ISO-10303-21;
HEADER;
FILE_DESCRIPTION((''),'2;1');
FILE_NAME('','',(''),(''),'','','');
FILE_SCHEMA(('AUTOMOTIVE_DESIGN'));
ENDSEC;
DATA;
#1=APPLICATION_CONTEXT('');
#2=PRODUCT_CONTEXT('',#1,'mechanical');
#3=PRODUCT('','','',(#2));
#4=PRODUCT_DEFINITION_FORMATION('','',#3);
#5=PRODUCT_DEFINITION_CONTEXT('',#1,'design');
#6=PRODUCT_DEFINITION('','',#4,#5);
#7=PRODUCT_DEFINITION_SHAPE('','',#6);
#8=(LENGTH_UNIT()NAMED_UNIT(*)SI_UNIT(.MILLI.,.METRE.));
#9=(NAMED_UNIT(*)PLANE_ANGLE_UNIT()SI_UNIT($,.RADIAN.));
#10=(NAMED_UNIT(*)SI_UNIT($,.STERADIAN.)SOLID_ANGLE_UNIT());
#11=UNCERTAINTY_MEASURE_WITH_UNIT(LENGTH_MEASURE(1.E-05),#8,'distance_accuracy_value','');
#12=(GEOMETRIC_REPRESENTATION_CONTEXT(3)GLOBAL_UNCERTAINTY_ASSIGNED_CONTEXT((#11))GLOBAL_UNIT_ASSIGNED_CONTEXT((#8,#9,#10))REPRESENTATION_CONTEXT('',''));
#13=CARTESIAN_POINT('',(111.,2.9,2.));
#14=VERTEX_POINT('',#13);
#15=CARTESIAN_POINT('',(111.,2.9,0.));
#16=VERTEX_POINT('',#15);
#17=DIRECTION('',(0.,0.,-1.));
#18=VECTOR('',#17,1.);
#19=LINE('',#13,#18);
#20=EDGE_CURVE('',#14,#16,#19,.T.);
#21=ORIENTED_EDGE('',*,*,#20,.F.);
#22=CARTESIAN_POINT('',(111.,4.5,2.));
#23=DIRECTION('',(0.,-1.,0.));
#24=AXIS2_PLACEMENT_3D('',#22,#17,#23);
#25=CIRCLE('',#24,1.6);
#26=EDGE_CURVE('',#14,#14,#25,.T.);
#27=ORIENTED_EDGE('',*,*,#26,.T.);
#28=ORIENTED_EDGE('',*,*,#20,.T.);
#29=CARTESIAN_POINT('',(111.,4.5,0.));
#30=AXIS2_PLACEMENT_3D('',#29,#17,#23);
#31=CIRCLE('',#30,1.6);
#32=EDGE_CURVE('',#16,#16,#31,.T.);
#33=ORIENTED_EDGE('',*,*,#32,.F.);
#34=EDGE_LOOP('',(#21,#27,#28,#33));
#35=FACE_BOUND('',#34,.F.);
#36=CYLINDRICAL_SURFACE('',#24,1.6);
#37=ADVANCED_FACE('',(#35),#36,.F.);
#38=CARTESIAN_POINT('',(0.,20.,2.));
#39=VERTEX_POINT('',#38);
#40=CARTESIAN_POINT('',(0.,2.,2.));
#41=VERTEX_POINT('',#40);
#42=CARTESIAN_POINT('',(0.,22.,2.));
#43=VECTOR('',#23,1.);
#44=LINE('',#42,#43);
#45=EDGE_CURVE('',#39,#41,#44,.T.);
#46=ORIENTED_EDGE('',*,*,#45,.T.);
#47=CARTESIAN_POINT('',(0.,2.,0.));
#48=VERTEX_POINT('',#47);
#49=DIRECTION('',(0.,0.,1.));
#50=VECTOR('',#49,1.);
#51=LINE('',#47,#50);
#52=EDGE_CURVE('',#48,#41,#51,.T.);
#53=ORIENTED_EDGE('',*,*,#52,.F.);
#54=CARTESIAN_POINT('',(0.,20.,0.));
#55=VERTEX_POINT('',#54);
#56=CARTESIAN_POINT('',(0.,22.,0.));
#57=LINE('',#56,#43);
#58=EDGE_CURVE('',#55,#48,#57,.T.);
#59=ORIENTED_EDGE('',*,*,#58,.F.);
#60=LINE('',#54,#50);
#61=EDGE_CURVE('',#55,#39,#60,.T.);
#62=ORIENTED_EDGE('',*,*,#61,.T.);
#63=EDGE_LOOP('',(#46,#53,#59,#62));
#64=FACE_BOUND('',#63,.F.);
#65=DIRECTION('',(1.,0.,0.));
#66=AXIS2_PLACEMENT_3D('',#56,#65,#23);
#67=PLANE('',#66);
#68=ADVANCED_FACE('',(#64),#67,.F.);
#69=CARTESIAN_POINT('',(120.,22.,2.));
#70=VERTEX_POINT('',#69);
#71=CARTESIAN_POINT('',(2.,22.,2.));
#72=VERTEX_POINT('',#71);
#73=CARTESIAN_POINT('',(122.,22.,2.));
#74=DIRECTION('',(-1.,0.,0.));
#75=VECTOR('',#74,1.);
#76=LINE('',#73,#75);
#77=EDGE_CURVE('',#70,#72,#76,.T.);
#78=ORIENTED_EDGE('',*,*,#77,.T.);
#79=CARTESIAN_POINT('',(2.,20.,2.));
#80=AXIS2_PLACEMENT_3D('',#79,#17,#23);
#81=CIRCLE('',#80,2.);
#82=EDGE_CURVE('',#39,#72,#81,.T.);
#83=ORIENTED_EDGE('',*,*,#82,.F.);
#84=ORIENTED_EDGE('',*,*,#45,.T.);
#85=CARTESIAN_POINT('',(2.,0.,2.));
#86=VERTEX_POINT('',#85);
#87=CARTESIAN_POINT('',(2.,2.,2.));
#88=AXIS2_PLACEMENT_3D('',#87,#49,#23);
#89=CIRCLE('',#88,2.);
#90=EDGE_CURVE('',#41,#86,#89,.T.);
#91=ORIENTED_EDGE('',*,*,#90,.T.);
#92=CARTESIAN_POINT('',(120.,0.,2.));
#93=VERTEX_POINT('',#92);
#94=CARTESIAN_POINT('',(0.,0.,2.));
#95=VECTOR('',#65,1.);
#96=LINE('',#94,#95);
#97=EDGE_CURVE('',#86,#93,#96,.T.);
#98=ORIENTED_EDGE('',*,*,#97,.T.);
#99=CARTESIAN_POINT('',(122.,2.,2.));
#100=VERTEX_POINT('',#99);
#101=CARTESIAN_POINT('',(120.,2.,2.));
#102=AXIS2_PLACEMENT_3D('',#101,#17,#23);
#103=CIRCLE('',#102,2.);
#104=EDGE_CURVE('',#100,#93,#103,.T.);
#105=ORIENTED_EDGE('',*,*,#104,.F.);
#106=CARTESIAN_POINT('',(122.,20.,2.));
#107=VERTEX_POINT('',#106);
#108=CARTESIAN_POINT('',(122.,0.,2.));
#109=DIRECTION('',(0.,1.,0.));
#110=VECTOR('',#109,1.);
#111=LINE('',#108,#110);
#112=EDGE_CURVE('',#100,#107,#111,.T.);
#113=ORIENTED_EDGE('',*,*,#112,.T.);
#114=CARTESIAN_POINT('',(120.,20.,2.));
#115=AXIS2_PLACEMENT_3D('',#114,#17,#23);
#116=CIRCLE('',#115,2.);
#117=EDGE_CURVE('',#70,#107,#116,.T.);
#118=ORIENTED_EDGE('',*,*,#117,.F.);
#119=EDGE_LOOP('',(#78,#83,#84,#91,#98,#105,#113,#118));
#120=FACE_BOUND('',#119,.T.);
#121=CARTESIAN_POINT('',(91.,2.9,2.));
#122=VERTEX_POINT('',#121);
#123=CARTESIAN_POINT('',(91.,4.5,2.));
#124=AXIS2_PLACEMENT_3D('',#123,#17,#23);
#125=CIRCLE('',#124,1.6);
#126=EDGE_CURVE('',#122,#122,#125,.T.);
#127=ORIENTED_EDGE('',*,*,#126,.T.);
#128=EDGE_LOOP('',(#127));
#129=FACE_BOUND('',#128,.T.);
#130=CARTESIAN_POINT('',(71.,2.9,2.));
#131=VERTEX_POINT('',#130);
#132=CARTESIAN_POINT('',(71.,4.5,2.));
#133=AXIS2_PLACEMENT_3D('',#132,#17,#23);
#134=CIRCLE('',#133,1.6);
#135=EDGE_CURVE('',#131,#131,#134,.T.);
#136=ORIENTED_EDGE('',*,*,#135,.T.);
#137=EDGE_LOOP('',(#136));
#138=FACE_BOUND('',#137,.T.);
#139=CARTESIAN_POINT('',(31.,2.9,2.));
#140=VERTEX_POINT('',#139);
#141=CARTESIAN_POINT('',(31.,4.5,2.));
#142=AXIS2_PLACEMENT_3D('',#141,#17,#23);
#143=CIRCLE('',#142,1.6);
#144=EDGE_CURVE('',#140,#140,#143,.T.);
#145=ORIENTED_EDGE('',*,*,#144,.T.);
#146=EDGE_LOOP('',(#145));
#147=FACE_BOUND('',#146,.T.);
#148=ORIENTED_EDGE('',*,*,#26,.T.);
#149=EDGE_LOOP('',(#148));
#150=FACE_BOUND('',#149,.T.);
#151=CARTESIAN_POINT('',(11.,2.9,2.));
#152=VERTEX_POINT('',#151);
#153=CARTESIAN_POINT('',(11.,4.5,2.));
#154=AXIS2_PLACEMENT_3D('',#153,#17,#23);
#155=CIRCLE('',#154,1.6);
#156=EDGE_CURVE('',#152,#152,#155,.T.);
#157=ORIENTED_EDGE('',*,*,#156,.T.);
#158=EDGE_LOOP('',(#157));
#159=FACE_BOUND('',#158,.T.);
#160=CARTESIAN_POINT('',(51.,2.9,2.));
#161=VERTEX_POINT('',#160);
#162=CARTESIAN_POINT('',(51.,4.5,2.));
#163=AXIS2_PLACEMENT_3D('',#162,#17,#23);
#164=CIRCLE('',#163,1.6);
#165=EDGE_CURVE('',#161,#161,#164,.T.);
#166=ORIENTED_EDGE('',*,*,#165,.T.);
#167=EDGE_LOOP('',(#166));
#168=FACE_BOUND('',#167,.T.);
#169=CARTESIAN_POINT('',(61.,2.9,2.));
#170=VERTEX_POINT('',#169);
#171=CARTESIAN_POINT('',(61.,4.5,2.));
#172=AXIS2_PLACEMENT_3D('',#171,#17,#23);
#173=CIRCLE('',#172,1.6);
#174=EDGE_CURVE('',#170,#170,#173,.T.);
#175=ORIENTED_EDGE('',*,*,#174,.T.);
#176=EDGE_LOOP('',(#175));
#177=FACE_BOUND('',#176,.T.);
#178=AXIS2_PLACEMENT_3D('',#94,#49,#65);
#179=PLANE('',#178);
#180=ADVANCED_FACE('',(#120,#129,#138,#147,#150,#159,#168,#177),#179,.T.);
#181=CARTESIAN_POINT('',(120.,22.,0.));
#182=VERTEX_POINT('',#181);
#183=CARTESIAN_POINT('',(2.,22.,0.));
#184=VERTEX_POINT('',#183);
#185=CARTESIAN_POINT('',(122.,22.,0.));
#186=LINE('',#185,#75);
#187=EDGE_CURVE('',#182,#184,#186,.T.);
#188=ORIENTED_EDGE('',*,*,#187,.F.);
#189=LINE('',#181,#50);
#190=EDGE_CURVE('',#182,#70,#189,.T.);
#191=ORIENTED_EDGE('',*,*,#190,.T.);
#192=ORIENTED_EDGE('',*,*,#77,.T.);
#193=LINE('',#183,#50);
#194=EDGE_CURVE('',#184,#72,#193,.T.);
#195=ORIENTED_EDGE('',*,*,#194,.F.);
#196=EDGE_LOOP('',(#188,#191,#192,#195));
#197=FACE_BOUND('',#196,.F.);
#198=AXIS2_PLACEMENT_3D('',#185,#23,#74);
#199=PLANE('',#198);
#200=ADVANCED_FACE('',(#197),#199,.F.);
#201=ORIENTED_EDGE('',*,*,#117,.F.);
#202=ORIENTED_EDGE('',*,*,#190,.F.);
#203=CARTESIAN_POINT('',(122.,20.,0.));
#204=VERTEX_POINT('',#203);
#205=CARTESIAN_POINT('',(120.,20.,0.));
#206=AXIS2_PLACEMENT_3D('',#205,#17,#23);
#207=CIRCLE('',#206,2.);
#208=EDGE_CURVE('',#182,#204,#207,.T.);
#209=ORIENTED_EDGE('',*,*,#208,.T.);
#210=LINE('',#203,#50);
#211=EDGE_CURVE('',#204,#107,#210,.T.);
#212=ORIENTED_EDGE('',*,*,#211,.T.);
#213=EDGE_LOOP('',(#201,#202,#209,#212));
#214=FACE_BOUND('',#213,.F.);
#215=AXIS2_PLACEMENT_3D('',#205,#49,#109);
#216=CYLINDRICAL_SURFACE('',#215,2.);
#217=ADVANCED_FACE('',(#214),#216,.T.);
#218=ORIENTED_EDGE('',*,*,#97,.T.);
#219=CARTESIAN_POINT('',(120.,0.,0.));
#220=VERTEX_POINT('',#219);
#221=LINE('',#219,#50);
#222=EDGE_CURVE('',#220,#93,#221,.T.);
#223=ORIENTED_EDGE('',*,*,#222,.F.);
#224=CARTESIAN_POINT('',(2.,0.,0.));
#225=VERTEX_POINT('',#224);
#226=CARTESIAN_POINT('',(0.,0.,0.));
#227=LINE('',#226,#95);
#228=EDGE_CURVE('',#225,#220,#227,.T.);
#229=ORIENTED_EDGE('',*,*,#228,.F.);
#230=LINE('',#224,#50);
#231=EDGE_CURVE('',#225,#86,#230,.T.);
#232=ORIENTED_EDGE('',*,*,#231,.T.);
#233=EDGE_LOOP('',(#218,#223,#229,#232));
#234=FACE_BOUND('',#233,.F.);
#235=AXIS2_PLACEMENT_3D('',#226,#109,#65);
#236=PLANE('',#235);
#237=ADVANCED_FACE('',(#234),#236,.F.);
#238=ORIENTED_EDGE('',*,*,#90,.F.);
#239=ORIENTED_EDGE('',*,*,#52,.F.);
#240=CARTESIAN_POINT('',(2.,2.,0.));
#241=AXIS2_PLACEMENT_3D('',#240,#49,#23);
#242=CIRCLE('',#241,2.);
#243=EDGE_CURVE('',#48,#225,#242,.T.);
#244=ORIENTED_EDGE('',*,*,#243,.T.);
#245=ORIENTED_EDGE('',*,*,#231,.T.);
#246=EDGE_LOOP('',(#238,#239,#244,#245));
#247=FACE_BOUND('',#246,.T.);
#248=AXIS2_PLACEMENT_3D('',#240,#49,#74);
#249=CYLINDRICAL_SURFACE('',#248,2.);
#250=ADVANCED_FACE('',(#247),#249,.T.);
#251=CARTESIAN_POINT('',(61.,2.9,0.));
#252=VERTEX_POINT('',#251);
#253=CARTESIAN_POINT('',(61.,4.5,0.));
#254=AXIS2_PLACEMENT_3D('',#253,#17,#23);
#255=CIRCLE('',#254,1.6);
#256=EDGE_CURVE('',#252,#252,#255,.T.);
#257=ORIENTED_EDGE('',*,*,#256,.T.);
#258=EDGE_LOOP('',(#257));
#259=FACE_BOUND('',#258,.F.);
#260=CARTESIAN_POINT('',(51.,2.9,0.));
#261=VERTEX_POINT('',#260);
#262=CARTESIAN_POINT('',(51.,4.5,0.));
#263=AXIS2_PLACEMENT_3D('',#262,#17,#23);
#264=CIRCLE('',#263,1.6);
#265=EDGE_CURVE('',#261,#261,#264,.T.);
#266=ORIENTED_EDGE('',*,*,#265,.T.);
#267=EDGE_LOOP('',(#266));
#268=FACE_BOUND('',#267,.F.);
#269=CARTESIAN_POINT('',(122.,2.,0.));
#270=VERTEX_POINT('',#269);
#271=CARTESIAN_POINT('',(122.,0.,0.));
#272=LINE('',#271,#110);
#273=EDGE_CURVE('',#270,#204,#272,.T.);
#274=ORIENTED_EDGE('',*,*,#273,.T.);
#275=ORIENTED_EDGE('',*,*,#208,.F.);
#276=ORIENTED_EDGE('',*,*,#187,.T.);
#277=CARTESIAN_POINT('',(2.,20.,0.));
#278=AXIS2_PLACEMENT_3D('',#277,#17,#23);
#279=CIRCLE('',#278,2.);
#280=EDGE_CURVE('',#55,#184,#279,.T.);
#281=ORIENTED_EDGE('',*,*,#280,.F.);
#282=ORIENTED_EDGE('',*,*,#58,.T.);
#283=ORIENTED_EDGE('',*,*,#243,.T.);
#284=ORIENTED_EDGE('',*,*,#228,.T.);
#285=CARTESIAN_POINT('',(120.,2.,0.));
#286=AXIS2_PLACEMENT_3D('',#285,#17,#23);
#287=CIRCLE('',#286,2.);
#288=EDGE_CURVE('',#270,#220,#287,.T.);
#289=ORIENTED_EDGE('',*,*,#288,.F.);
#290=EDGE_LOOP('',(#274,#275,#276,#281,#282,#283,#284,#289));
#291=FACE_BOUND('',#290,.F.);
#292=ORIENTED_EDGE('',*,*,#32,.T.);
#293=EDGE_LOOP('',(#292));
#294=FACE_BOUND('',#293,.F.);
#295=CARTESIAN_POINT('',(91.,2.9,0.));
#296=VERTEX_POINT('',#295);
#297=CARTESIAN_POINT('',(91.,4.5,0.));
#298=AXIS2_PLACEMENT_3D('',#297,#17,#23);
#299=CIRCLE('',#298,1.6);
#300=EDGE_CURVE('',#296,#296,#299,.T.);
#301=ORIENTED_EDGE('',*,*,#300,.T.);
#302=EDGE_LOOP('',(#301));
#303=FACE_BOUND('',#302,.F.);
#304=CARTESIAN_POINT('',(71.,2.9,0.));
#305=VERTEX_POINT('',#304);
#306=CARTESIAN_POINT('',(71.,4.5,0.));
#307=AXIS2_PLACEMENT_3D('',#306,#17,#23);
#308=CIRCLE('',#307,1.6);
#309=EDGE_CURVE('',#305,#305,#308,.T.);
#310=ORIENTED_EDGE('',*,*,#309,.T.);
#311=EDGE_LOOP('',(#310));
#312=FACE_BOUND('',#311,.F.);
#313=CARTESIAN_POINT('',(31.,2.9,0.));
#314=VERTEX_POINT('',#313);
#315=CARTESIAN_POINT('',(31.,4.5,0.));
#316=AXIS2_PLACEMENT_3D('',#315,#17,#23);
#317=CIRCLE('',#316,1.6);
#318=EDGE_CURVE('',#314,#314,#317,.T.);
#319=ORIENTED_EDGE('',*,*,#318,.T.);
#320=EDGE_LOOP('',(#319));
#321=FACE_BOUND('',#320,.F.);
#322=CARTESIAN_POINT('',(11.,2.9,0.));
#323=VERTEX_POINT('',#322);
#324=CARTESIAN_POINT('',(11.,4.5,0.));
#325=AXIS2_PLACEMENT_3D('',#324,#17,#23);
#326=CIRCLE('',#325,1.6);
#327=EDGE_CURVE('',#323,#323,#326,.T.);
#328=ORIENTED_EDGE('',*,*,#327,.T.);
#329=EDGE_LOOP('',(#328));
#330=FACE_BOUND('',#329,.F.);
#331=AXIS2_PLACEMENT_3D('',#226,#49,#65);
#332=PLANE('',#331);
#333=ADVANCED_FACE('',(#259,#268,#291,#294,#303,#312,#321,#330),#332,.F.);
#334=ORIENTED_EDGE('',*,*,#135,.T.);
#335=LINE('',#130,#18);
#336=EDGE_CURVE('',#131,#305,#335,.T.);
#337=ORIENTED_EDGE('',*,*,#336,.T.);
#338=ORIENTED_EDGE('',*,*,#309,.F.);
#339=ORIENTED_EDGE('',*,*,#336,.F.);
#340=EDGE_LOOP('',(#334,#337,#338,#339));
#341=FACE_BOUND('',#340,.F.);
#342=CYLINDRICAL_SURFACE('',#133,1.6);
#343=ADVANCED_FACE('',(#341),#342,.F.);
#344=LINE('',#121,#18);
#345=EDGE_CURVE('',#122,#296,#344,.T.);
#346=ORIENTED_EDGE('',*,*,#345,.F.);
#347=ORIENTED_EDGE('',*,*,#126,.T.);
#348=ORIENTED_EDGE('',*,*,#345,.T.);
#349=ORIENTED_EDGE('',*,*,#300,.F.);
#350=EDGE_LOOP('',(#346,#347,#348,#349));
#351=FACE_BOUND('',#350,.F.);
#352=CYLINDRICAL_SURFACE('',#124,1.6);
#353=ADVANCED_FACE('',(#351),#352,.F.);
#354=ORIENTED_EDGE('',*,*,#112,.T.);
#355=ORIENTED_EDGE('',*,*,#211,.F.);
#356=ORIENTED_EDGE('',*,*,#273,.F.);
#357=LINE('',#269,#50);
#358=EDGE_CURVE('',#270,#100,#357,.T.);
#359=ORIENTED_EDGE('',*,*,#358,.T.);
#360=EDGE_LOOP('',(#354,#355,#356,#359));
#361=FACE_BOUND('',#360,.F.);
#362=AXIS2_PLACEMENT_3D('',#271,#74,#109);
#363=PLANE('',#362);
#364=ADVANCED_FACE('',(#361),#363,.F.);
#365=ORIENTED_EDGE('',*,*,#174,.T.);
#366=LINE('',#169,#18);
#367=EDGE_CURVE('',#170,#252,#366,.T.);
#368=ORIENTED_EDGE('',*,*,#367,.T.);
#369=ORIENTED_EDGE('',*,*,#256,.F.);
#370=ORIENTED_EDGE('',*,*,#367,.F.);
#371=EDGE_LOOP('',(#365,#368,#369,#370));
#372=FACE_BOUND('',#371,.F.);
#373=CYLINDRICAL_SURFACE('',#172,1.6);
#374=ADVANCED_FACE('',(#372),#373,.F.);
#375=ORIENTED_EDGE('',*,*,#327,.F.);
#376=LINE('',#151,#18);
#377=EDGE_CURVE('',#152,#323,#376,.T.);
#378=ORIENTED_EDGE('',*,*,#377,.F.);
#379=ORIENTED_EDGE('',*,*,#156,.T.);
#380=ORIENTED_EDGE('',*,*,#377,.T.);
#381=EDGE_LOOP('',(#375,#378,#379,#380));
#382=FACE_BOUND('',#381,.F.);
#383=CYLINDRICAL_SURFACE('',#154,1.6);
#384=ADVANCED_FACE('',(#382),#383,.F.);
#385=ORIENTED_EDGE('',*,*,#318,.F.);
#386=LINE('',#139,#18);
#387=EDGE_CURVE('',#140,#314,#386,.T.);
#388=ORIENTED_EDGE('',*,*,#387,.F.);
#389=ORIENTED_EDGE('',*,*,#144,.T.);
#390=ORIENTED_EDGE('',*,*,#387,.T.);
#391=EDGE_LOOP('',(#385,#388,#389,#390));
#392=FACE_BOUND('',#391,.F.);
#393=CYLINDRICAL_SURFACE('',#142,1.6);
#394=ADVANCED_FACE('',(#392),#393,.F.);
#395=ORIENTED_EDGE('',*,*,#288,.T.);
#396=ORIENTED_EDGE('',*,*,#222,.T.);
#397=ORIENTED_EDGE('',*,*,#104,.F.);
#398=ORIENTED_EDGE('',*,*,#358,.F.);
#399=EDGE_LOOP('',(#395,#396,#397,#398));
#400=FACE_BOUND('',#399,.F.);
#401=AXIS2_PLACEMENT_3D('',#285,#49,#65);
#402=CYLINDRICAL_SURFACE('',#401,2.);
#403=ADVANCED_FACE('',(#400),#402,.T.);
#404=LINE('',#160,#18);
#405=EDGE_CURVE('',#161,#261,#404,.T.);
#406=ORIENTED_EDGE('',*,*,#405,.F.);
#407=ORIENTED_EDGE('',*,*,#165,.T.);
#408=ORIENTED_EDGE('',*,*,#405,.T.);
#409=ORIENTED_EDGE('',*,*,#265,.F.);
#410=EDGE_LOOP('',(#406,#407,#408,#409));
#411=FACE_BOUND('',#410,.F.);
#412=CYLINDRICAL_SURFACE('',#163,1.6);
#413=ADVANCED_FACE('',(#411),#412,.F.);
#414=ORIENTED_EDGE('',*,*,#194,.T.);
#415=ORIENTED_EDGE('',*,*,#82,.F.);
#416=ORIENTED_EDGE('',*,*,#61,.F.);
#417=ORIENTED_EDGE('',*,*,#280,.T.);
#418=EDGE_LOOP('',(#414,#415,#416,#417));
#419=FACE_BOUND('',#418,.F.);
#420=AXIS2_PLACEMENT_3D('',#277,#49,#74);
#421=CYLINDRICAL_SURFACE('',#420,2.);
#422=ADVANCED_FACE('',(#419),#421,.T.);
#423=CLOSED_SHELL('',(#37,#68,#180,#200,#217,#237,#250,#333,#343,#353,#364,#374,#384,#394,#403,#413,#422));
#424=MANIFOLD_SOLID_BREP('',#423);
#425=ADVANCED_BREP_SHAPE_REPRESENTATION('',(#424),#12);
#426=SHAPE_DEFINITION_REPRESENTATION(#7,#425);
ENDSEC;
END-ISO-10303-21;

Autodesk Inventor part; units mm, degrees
ref_plane "YZ Plane" through (0, 0, 0) normal (1, 0, 0) x (0, 1, 0)
ref_plane "XZ Plane" through (0, 0, 0) normal (0, 1, 0) x (-1, 0, 0)
ref_plane "XY Plane" through (0, 0, 0) normal (0, 0, 1) x (1, 0, 0)
sketch "スケッチ1" plane through (0, 0, 0) normal (0, 0, 1) x (1, 0, 0)
  line L0 (0, 0) -> (122, 0)
  line L1 (122, 0) -> (122, 22)
  line L2 (122, 22) -> (0, 22)
  line L3 (0, 22) -> (0, 0)
  dimension "d0" = 122
  dimension "d1" = 22
extrude "押し出し1" add sketch "スケッチ1" along normal blind 2
fillet "フィレット1" radius 2 4 edges at (122, 22, 1) (122, 0, 1) (0, 22, 1) (0, 0, 1)
sketch "スケッチ2" plane through (0, 0, 2) normal (0, 0, 1) x (1, 0, 0)
  line L0 (0, 4.5) -> (122, 4.5)
  line L1 (122, 2) -> (122, 20) projected
  line L2 (2, 0) -> (120, 0) projected
  line L3 (0, 20) -> (0, 2) projected
  point P0 (0, 0)
  point P1 (11, 4.5)
  point P2 (31, 4.5)
  point P3 (51, 4.5)
  point P4 (61, 4.5)
  point P5 (71, 4.5)
  point P6 (91, 4.5)
  point P7 (111, 4.5)
  dimension "d5" = 4.5
  dimension "d6" = 11
  dimension "d7" = 11
  dimension "d8" = 20
  dimension "d9" = 20
  dimension "d10" = 10
  dimension "d11" = 10
  dimension "d12" = 20
hole "穴1" at (11, 4.5, 2) at (31, 4.5, 2) at (51, 4.5, 2) at (61, 4.5, 2) at (71, 4.5, 2) at (91, 4.5, 2) at (111, 4.5, 2) direction (0, 0, -1) diameter 3.2 end through all
properties part number "line_sensor" material "アセタール樹脂、黒"
